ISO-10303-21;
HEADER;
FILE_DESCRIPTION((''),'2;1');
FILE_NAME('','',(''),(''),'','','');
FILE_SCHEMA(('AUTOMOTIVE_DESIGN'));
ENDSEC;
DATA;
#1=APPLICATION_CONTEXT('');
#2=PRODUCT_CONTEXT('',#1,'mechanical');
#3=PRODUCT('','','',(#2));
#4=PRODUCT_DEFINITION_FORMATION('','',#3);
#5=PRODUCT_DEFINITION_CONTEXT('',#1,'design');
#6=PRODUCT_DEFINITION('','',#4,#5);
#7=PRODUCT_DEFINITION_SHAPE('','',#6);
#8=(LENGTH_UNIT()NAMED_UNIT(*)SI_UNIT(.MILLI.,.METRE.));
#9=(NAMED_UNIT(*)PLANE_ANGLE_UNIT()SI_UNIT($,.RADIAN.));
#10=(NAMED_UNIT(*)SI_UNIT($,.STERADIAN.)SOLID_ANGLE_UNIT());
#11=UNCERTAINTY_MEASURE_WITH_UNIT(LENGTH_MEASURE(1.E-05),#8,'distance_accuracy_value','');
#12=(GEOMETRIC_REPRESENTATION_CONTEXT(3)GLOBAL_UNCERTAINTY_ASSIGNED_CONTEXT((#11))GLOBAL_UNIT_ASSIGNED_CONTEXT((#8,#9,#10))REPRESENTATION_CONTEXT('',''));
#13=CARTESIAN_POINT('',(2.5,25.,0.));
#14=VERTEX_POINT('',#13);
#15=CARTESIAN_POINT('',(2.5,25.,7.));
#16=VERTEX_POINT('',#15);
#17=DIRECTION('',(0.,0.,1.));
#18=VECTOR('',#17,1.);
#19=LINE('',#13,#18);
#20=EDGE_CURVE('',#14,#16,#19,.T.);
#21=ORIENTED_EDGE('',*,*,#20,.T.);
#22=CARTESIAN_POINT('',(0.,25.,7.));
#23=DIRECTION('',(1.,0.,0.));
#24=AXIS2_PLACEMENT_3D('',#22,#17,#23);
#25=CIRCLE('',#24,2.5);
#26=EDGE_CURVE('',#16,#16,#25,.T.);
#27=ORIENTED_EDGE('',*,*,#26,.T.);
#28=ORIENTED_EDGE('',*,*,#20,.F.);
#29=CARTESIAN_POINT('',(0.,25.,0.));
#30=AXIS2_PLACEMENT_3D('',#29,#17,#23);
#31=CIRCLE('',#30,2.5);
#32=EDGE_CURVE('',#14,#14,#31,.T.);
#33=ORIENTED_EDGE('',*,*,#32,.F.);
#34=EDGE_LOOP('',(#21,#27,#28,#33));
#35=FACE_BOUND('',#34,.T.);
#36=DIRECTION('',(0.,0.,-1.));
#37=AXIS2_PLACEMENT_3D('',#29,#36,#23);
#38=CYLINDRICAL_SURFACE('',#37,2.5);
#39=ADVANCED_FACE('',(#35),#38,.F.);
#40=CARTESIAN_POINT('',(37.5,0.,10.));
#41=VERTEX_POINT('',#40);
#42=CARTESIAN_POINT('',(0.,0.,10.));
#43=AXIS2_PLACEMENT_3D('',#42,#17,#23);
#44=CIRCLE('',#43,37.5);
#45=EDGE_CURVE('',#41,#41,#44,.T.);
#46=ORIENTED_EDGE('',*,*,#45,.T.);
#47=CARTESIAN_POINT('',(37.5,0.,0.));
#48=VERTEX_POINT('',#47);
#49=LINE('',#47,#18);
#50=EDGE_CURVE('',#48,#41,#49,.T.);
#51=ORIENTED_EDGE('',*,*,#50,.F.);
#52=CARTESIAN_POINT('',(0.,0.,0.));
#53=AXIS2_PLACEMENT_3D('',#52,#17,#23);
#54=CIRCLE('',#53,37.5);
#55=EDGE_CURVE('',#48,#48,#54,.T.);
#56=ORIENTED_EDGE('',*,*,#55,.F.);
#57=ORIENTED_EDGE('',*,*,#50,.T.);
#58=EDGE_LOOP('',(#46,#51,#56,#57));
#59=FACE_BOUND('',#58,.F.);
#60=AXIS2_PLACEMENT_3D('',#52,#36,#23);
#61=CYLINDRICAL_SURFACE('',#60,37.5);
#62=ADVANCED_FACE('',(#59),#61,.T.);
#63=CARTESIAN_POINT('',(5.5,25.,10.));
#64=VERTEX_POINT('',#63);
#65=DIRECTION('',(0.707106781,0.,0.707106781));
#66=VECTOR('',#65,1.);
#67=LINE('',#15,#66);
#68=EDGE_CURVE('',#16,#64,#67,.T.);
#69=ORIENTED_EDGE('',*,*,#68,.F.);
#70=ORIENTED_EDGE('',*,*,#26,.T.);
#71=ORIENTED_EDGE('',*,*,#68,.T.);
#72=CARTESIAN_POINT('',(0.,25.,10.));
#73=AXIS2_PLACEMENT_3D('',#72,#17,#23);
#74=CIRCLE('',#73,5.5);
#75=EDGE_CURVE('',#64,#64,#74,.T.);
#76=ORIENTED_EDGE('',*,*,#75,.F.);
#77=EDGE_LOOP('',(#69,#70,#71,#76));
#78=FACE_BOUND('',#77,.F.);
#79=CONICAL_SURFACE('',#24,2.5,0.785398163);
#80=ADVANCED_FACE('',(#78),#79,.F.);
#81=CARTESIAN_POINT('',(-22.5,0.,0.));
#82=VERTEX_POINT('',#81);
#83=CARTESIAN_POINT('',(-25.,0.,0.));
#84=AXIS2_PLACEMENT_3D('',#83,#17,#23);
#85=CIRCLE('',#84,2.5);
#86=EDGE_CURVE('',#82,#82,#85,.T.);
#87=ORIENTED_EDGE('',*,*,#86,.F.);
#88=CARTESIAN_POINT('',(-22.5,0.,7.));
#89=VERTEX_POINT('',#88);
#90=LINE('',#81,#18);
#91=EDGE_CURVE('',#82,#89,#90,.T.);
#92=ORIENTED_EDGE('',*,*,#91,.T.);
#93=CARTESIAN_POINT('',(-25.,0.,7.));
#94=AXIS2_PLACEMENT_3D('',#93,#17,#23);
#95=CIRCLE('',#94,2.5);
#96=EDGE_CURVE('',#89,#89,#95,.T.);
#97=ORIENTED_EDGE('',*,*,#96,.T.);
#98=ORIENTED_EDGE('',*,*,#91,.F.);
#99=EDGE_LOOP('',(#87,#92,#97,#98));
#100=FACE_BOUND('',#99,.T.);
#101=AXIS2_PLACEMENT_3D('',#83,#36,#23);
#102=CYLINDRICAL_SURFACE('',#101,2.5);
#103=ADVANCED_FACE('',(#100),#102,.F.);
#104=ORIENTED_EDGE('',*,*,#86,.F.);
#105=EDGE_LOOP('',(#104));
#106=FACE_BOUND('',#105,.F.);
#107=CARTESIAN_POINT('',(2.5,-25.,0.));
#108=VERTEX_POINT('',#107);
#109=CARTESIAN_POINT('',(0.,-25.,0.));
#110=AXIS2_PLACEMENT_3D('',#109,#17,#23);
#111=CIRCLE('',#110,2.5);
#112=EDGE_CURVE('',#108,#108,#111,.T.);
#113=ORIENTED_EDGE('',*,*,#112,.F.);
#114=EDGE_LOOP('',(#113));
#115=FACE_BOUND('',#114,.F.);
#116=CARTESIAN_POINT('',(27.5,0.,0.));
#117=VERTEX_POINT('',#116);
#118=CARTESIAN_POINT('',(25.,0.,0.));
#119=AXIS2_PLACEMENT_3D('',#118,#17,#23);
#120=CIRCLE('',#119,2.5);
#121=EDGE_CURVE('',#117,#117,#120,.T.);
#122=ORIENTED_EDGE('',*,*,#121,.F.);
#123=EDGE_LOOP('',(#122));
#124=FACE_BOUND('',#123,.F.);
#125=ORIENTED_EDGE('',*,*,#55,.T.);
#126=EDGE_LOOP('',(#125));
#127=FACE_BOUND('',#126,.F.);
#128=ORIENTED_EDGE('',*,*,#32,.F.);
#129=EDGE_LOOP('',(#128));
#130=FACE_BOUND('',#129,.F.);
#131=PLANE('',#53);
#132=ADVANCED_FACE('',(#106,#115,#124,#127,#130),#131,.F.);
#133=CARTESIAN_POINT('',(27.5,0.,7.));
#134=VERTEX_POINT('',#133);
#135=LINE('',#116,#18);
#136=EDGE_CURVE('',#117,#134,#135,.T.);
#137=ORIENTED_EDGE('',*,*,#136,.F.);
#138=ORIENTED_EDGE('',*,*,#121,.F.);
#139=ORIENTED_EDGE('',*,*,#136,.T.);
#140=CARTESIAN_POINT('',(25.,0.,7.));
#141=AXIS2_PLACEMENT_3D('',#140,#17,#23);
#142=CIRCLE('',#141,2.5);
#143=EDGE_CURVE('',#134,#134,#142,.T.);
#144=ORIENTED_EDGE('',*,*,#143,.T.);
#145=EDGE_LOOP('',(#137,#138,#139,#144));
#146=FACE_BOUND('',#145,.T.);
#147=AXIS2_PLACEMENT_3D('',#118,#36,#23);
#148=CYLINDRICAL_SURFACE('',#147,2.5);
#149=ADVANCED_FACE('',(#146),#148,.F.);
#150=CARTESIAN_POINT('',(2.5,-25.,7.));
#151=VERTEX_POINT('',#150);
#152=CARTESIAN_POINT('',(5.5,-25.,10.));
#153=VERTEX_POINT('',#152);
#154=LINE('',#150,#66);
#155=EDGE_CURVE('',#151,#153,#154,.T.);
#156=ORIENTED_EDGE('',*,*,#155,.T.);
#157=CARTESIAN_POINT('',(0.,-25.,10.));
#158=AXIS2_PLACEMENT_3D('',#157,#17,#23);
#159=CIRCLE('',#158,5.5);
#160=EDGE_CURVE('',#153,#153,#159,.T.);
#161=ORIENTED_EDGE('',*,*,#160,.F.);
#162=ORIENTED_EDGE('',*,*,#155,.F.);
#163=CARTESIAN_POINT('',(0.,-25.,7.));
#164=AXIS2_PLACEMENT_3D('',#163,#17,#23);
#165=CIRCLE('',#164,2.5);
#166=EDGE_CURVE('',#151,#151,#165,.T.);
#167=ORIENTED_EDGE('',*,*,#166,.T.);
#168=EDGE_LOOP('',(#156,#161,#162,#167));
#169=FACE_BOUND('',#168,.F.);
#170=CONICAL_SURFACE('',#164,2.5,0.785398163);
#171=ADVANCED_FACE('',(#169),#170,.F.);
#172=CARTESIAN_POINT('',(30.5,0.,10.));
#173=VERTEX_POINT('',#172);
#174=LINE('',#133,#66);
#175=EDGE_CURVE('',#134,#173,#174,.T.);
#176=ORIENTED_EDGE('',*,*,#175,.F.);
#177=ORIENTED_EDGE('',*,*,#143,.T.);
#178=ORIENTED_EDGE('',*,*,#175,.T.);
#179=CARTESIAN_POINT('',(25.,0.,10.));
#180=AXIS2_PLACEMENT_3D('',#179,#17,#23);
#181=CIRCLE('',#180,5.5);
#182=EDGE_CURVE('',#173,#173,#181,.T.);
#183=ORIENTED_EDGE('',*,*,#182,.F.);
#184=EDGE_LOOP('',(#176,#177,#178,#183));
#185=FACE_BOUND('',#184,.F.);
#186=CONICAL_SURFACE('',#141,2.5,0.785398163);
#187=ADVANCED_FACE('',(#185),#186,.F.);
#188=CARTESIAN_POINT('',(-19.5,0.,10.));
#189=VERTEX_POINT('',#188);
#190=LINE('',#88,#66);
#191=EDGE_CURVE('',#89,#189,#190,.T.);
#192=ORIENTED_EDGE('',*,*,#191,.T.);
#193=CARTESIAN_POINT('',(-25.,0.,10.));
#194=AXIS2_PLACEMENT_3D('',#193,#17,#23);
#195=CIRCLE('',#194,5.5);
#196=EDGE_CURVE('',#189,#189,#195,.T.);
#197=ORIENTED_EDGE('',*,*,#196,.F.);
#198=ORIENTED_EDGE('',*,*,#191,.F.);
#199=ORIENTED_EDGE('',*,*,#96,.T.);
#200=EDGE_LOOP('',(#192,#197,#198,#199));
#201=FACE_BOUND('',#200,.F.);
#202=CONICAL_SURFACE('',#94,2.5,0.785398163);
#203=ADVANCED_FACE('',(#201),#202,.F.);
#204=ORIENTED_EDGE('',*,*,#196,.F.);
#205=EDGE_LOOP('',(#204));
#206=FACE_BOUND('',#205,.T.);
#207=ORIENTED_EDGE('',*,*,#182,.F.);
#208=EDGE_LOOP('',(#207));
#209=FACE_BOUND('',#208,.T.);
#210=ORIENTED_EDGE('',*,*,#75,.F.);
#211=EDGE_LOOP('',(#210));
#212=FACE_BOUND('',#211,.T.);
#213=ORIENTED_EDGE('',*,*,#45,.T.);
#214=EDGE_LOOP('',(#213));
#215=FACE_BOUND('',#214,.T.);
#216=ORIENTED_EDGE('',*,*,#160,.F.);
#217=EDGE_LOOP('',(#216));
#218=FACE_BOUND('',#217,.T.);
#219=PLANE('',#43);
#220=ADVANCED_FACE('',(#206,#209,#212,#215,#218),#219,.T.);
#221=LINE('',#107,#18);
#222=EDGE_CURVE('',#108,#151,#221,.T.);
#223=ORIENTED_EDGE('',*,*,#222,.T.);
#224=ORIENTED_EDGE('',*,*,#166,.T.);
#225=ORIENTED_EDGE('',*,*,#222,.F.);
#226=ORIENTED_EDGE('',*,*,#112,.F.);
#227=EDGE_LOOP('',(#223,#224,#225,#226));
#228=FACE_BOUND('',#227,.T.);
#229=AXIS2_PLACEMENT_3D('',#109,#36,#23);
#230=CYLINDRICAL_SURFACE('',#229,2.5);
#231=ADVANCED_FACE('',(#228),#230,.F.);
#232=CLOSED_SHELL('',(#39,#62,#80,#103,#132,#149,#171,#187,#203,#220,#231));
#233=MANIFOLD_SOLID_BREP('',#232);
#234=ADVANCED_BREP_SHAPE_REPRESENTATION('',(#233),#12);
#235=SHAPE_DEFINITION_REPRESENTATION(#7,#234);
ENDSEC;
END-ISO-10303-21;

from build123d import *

# Parameters (mm, degrees)
F0_R     = 37.5
F0_R_2   = 2.5
F1_DEPTH = 10
F2_SIZE  = 3


with BuildPart() as f1:
    # F0 (on Top) → F1 (new body)
    with BuildSketch(Plane.XY):
        Circle(F0_R)
        with Locations((0, -25)):
            Circle(F0_R_2, mode=Mode.SUBTRACT)
        with Locations((-25, 0)):
            Circle(F0_R_2, mode=Mode.SUBTRACT)
        with Locations((25, 0)):
            Circle(F0_R_2, mode=Mode.SUBTRACT)
        with Locations((0, 25)):
            Circle(F0_R_2, mode=Mode.SUBTRACT)
    extrude(amount=F1_DEPTH)

    # F2
    f2_edges = [f1.edges().sort_by_distance(p)[0] for p in [
        (-2.5, 25, 10),
        (22.5, 0, 10),
        (-2.5, -25, 10),
        (-27.5, 0, 10),
    ]]
    chamfer(f2_edges, length=F2_SIZE)


solid = f1.part
